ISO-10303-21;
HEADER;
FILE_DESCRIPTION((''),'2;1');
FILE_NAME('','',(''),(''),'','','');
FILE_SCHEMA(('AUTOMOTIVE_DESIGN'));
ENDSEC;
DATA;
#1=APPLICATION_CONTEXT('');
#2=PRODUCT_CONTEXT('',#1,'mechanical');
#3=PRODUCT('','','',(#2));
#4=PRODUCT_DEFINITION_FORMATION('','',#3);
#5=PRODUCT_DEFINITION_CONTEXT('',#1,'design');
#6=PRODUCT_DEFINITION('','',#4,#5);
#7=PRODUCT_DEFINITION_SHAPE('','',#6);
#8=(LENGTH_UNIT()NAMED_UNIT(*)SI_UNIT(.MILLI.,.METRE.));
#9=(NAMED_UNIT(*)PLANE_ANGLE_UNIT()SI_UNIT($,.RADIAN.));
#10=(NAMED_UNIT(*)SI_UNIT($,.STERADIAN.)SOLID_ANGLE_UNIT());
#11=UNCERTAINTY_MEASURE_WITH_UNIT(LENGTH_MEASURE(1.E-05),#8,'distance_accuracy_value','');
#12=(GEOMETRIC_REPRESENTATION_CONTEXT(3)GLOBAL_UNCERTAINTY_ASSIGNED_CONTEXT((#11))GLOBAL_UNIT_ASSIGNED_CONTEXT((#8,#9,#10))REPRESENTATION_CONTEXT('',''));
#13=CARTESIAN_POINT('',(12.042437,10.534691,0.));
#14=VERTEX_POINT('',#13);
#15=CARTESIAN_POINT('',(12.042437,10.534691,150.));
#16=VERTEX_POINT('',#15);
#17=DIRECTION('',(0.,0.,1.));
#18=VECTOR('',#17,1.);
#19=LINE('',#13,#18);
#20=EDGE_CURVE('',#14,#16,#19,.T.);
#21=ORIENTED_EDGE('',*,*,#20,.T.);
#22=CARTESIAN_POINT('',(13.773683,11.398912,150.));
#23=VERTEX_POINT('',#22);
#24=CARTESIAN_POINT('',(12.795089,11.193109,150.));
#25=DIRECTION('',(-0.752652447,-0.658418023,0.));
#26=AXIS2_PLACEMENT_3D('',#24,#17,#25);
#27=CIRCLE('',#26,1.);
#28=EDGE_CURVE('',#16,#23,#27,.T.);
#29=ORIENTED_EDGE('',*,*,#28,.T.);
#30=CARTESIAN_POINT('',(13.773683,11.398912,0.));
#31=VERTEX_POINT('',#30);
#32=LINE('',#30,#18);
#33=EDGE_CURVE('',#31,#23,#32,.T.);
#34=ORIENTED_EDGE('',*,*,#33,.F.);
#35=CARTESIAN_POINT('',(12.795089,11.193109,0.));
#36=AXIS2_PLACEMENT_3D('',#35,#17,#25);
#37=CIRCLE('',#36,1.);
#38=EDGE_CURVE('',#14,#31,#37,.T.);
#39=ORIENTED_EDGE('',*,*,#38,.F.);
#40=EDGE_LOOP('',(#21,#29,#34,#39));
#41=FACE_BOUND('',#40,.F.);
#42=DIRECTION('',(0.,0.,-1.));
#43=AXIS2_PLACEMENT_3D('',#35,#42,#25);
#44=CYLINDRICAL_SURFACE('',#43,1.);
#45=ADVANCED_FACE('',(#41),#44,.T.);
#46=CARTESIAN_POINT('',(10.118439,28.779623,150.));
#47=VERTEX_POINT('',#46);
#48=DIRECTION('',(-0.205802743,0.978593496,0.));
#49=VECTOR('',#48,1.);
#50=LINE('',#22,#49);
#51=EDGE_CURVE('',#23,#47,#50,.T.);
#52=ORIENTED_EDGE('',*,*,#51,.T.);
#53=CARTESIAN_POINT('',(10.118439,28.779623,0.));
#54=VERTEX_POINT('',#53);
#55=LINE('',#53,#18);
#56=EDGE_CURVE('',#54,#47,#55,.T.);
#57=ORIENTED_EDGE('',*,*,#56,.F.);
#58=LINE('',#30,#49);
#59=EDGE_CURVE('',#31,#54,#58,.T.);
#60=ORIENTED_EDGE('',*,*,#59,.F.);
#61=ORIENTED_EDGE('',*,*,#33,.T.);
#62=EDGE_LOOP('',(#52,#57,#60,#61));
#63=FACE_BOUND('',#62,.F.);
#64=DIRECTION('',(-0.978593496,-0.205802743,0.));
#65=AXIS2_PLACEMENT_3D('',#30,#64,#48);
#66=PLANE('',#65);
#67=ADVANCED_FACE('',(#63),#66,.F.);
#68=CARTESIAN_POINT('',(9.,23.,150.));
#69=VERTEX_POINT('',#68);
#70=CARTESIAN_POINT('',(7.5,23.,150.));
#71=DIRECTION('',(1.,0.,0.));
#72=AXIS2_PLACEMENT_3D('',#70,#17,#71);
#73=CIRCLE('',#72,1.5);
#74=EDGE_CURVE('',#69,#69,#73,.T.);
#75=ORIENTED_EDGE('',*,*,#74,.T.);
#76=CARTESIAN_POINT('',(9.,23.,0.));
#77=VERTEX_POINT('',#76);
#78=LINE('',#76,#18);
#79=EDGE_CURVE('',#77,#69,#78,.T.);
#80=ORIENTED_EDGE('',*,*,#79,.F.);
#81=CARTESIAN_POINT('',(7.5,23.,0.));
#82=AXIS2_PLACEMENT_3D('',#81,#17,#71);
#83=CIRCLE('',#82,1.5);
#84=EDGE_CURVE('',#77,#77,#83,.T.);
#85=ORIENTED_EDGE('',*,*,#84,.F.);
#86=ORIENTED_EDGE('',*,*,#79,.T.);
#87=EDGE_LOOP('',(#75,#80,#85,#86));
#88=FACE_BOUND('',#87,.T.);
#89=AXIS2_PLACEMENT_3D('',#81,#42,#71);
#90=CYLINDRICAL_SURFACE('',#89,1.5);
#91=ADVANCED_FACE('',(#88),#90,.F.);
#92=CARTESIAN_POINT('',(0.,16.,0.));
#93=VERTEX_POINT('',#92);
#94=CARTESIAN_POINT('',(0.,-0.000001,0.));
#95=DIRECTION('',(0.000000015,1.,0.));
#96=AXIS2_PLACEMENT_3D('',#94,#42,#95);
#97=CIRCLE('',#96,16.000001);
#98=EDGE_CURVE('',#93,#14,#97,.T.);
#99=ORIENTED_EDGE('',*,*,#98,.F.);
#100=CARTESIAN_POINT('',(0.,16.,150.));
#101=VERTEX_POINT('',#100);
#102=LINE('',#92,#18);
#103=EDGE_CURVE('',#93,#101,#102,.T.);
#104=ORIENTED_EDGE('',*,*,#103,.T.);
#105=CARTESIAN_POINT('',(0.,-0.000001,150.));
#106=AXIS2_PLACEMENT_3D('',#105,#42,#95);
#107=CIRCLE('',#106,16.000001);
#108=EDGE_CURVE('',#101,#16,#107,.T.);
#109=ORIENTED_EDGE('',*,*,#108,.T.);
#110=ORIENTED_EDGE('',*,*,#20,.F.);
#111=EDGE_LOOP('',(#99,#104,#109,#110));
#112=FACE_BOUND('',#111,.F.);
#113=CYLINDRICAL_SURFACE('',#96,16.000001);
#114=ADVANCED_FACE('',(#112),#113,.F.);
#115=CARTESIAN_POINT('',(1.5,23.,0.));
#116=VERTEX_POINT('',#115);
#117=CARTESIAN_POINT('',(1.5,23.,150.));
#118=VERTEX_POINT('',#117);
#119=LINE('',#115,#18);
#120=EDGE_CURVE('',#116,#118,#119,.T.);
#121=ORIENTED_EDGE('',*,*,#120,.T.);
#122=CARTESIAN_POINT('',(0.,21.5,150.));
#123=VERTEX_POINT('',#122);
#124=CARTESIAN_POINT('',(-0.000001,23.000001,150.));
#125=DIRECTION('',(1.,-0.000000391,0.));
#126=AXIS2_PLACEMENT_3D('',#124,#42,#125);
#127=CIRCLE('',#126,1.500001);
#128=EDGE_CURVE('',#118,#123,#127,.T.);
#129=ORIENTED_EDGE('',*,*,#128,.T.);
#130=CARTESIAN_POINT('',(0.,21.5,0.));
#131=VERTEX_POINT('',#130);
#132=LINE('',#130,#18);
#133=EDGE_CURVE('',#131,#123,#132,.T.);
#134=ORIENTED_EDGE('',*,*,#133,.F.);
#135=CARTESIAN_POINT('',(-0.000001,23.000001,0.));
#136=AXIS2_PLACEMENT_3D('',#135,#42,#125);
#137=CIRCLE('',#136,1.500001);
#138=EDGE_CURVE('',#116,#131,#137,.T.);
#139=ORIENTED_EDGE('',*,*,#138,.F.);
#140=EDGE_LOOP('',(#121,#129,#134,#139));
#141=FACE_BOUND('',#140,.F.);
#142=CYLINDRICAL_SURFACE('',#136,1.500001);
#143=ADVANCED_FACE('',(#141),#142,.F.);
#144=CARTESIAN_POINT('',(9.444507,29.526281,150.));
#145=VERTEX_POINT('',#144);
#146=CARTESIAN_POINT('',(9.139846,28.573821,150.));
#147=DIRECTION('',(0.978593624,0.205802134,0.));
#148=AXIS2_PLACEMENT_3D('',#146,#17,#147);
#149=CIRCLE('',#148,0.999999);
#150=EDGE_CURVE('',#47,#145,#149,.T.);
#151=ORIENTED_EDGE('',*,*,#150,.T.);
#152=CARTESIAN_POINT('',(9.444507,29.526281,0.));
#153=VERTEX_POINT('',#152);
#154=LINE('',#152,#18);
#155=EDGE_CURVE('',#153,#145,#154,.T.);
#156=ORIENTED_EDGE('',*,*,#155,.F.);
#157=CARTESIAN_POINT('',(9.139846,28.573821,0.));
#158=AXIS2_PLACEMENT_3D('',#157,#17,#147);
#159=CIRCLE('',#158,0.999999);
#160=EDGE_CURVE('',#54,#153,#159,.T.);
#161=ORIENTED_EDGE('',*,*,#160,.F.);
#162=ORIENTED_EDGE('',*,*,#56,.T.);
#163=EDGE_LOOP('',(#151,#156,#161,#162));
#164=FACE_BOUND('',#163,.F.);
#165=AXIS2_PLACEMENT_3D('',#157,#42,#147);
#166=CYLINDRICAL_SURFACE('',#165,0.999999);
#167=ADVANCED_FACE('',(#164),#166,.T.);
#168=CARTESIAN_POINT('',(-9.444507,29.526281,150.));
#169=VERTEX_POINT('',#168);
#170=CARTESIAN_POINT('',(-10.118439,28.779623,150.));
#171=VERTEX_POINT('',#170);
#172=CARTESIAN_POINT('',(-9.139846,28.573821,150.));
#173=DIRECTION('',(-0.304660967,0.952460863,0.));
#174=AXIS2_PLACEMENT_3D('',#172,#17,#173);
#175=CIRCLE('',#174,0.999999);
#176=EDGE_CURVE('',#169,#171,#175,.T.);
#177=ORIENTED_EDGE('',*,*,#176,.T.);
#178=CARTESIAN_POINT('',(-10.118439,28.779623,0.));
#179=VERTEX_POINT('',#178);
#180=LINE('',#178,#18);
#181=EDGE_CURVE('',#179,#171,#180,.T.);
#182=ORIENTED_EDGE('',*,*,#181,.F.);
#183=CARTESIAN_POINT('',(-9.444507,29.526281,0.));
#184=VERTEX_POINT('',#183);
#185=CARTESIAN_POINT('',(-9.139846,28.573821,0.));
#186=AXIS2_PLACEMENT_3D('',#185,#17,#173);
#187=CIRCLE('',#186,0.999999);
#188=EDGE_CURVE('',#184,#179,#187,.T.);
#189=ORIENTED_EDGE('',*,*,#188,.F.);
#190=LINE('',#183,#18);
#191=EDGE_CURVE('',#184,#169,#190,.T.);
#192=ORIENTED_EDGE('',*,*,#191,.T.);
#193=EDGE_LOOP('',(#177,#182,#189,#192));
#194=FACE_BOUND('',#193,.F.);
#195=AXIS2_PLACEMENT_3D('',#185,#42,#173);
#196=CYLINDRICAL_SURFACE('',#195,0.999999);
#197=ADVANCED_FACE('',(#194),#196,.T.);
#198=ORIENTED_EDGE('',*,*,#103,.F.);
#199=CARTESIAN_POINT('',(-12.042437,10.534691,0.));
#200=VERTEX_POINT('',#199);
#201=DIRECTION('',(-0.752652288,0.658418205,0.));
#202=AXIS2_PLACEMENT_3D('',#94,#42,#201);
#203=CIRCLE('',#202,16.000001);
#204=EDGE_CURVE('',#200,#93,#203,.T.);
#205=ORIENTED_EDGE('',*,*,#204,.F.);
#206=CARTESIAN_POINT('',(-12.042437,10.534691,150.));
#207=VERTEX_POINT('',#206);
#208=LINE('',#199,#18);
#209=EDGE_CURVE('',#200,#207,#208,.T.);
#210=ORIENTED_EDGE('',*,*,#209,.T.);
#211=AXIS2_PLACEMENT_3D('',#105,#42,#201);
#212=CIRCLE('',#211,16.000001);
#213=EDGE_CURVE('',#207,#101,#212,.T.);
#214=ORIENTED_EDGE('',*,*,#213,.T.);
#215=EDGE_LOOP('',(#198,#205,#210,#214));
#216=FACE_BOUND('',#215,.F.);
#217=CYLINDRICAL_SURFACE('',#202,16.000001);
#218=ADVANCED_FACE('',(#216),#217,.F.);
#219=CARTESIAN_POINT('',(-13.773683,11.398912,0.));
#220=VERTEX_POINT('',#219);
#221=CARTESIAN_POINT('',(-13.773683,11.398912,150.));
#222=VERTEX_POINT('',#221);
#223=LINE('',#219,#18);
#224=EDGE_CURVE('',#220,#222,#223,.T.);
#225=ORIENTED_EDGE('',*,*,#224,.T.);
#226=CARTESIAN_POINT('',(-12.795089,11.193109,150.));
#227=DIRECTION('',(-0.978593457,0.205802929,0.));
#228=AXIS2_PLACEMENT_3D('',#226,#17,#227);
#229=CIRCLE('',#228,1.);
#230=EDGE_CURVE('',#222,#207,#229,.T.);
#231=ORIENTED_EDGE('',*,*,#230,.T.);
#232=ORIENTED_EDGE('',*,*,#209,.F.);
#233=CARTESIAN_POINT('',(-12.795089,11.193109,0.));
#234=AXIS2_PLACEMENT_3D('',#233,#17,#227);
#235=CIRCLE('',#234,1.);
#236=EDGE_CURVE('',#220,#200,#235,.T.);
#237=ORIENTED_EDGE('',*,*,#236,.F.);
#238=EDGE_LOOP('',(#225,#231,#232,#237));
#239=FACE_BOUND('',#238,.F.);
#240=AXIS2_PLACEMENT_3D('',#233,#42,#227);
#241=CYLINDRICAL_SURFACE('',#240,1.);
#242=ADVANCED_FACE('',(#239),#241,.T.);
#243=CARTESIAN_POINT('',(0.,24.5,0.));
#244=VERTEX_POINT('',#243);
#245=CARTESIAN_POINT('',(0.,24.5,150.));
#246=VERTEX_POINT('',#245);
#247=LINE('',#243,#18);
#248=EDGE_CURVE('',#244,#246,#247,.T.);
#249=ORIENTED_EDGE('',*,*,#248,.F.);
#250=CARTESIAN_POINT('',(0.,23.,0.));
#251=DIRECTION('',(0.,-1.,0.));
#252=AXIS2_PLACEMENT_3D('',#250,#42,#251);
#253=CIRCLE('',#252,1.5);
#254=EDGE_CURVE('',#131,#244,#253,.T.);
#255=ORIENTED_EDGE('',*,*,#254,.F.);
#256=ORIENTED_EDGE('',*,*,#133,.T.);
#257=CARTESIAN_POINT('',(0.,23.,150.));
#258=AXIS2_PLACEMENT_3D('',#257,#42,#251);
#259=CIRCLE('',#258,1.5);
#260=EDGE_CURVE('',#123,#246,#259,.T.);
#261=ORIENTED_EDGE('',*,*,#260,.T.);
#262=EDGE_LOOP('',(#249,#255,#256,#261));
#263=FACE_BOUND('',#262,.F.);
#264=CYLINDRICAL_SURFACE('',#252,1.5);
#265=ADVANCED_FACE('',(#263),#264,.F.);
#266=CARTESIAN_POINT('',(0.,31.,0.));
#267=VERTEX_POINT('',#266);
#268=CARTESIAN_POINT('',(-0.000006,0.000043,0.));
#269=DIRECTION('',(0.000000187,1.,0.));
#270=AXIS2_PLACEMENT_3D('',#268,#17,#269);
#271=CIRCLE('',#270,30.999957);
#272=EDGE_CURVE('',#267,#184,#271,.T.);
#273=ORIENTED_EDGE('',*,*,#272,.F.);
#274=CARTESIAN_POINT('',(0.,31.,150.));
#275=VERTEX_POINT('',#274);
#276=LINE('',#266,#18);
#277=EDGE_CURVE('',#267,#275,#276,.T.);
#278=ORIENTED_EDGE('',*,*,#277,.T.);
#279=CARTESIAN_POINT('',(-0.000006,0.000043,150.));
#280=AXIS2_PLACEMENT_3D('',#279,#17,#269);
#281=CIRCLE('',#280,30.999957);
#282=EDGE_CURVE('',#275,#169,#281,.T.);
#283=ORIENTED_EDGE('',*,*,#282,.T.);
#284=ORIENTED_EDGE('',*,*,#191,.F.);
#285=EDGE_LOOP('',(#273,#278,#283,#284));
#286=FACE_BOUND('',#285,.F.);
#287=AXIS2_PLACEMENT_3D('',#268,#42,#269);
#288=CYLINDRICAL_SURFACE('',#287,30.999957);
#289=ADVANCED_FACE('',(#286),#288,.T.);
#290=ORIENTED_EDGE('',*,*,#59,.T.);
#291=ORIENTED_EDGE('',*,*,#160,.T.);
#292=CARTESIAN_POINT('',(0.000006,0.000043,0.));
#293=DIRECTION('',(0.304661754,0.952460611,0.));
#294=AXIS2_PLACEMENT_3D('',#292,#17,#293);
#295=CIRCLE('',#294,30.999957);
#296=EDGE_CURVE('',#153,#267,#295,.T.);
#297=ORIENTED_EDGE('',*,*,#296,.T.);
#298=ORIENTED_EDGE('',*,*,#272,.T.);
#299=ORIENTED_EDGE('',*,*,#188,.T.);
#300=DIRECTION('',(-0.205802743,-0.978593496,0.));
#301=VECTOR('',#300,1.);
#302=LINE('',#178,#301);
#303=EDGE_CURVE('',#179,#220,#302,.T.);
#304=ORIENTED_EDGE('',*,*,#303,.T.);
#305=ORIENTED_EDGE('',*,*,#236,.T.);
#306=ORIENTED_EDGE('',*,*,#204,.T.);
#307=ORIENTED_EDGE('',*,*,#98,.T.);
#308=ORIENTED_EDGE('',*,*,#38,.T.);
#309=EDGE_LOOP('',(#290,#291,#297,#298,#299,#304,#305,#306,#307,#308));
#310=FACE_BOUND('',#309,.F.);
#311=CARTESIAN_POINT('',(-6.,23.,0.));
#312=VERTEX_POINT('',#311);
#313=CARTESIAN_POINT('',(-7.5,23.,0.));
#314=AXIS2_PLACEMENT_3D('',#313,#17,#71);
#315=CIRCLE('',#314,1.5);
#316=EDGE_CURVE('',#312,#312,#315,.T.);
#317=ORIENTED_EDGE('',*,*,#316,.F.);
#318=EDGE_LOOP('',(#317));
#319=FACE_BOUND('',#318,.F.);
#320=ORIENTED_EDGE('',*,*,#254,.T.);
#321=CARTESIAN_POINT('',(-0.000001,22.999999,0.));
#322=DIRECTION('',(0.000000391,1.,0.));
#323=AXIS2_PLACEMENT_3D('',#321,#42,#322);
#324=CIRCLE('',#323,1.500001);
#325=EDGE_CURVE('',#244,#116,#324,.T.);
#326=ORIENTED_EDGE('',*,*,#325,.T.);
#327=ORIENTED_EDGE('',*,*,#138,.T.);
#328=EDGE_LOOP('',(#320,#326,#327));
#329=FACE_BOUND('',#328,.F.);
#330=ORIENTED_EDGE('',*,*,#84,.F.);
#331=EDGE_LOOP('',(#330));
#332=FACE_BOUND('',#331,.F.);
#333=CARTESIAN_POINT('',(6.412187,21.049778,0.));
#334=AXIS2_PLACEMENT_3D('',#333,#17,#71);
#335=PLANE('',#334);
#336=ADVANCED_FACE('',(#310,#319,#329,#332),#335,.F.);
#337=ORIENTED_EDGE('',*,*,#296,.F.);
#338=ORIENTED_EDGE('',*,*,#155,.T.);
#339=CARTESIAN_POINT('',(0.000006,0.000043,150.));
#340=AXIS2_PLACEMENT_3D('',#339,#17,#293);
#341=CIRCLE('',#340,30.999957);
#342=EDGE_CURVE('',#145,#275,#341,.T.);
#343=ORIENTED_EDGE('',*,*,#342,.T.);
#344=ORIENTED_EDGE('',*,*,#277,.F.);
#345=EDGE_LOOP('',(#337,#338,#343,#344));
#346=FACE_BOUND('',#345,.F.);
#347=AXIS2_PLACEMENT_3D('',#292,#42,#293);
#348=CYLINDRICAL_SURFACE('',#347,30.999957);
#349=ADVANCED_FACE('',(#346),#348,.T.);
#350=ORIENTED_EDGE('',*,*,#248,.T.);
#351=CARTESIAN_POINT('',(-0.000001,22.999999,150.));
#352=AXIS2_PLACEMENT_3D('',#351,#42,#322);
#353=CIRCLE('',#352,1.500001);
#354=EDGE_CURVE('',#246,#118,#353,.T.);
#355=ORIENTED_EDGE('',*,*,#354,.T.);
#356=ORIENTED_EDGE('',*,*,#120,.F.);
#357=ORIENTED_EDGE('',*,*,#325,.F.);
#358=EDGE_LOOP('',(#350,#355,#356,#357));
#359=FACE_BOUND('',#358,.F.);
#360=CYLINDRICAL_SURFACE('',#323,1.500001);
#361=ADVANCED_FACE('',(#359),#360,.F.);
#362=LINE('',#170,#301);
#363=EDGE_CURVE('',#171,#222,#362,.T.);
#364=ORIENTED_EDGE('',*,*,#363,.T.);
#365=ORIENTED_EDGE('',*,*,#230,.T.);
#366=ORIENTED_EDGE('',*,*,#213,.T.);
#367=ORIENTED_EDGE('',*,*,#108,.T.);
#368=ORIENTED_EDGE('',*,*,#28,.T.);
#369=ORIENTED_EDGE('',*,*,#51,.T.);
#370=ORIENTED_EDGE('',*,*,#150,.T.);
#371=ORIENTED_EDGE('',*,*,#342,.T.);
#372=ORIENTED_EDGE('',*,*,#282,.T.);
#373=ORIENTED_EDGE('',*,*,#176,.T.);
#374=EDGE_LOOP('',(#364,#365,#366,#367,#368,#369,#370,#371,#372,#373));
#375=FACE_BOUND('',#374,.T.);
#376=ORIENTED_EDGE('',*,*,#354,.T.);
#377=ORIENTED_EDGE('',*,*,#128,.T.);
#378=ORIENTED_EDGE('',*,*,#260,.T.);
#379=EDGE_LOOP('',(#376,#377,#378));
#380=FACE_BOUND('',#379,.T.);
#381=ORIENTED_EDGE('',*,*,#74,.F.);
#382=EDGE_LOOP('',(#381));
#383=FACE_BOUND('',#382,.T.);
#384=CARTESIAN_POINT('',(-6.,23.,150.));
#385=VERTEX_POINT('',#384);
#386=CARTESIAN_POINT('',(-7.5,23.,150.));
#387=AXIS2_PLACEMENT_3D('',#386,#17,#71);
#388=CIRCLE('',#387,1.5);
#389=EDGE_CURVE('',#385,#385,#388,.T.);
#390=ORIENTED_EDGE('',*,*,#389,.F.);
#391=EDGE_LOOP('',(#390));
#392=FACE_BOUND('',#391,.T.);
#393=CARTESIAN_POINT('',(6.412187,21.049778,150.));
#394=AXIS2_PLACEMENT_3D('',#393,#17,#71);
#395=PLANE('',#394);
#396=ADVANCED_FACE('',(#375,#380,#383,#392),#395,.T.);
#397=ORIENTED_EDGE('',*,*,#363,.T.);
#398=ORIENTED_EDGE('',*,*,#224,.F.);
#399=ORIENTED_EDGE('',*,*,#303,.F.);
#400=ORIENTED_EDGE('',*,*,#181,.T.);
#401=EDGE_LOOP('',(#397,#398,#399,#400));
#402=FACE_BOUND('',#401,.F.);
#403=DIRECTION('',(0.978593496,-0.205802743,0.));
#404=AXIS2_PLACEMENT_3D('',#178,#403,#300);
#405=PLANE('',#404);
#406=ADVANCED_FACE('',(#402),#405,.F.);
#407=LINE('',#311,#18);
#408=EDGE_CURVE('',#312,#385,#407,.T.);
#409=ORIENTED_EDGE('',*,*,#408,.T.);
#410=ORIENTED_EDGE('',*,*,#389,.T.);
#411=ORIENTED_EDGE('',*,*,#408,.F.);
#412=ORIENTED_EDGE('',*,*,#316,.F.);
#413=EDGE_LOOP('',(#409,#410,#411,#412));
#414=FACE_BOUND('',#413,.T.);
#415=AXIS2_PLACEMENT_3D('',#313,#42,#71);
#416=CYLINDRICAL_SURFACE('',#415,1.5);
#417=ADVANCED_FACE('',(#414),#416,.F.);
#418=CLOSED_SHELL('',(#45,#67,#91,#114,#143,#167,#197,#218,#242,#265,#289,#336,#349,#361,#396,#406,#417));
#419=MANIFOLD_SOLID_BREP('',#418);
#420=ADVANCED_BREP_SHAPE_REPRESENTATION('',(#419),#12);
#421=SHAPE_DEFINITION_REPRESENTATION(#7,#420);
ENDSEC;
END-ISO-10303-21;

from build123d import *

# Parameters (mm, degrees)
F0_R     = 1.5
F1_DEPTH = 150


with BuildPart() as f1:
    # F0 (on Top) → F1 (new body)
    with BuildSketch(Plane.XY):
        with BuildLine():
            ThreePointArc((0, 16), (6.612297, 14.569747), (12.042437, 10.534691))
            ThreePointArc((12.042437, 10.534691), (13.241723, 10.298392), (13.773683, 11.398912))
            Line((13.773683, 11.398912), (10.118439, 28.779623))
            ThreePointArc((10.118439, 28.779623), (9.88218, 29.24385), (9.444507, 29.526281))
            ThreePointArc((9.444507, 29.526281), (4.779397, 30.629355), (0, 31))
            Line((0, 31), (0, 24.5))
            ThreePointArc((0, 24.5), (1.06066, 24.06066), (1.5, 23))
            ThreePointArc((1.5, 23), (1.06066, 21.93934), (0, 21.5))
            Line((0, 21.5), (0, 16))
        make_face()
        with Locations((7.5, 23)):
            Circle(F0_R, mode=Mode.SUBTRACT)
        with BuildLine():
            ThreePointArc((-12.042437, 10.534691), (-6.612297, 14.569747), (0, 16))
            Line((0, 16), (0, 21.5))
            ThreePointArc((0, 21.5), (-1.5, 23), (0, 24.5))
            Line((0, 24.5), (0, 31))
            ThreePointArc((0, 31), (-4.779397, 30.629355), (-9.444507, 29.526281))
            ThreePointArc((-9.444507, 29.526281), (-9.88218, 29.24385), (-10.118439, 28.779623))
            Line((-10.118439, 28.779623), (-13.773683, 11.398912))
            ThreePointArc((-13.773683, 11.398912), (-13.241723, 10.298392), (-12.042437, 10.534691))
        make_face()
        with Locations((-7.5, 23)):
            Circle(F0_R, mode=Mode.SUBTRACT)
    extrude(amount=F1_DEPTH)


solid = f1.part
